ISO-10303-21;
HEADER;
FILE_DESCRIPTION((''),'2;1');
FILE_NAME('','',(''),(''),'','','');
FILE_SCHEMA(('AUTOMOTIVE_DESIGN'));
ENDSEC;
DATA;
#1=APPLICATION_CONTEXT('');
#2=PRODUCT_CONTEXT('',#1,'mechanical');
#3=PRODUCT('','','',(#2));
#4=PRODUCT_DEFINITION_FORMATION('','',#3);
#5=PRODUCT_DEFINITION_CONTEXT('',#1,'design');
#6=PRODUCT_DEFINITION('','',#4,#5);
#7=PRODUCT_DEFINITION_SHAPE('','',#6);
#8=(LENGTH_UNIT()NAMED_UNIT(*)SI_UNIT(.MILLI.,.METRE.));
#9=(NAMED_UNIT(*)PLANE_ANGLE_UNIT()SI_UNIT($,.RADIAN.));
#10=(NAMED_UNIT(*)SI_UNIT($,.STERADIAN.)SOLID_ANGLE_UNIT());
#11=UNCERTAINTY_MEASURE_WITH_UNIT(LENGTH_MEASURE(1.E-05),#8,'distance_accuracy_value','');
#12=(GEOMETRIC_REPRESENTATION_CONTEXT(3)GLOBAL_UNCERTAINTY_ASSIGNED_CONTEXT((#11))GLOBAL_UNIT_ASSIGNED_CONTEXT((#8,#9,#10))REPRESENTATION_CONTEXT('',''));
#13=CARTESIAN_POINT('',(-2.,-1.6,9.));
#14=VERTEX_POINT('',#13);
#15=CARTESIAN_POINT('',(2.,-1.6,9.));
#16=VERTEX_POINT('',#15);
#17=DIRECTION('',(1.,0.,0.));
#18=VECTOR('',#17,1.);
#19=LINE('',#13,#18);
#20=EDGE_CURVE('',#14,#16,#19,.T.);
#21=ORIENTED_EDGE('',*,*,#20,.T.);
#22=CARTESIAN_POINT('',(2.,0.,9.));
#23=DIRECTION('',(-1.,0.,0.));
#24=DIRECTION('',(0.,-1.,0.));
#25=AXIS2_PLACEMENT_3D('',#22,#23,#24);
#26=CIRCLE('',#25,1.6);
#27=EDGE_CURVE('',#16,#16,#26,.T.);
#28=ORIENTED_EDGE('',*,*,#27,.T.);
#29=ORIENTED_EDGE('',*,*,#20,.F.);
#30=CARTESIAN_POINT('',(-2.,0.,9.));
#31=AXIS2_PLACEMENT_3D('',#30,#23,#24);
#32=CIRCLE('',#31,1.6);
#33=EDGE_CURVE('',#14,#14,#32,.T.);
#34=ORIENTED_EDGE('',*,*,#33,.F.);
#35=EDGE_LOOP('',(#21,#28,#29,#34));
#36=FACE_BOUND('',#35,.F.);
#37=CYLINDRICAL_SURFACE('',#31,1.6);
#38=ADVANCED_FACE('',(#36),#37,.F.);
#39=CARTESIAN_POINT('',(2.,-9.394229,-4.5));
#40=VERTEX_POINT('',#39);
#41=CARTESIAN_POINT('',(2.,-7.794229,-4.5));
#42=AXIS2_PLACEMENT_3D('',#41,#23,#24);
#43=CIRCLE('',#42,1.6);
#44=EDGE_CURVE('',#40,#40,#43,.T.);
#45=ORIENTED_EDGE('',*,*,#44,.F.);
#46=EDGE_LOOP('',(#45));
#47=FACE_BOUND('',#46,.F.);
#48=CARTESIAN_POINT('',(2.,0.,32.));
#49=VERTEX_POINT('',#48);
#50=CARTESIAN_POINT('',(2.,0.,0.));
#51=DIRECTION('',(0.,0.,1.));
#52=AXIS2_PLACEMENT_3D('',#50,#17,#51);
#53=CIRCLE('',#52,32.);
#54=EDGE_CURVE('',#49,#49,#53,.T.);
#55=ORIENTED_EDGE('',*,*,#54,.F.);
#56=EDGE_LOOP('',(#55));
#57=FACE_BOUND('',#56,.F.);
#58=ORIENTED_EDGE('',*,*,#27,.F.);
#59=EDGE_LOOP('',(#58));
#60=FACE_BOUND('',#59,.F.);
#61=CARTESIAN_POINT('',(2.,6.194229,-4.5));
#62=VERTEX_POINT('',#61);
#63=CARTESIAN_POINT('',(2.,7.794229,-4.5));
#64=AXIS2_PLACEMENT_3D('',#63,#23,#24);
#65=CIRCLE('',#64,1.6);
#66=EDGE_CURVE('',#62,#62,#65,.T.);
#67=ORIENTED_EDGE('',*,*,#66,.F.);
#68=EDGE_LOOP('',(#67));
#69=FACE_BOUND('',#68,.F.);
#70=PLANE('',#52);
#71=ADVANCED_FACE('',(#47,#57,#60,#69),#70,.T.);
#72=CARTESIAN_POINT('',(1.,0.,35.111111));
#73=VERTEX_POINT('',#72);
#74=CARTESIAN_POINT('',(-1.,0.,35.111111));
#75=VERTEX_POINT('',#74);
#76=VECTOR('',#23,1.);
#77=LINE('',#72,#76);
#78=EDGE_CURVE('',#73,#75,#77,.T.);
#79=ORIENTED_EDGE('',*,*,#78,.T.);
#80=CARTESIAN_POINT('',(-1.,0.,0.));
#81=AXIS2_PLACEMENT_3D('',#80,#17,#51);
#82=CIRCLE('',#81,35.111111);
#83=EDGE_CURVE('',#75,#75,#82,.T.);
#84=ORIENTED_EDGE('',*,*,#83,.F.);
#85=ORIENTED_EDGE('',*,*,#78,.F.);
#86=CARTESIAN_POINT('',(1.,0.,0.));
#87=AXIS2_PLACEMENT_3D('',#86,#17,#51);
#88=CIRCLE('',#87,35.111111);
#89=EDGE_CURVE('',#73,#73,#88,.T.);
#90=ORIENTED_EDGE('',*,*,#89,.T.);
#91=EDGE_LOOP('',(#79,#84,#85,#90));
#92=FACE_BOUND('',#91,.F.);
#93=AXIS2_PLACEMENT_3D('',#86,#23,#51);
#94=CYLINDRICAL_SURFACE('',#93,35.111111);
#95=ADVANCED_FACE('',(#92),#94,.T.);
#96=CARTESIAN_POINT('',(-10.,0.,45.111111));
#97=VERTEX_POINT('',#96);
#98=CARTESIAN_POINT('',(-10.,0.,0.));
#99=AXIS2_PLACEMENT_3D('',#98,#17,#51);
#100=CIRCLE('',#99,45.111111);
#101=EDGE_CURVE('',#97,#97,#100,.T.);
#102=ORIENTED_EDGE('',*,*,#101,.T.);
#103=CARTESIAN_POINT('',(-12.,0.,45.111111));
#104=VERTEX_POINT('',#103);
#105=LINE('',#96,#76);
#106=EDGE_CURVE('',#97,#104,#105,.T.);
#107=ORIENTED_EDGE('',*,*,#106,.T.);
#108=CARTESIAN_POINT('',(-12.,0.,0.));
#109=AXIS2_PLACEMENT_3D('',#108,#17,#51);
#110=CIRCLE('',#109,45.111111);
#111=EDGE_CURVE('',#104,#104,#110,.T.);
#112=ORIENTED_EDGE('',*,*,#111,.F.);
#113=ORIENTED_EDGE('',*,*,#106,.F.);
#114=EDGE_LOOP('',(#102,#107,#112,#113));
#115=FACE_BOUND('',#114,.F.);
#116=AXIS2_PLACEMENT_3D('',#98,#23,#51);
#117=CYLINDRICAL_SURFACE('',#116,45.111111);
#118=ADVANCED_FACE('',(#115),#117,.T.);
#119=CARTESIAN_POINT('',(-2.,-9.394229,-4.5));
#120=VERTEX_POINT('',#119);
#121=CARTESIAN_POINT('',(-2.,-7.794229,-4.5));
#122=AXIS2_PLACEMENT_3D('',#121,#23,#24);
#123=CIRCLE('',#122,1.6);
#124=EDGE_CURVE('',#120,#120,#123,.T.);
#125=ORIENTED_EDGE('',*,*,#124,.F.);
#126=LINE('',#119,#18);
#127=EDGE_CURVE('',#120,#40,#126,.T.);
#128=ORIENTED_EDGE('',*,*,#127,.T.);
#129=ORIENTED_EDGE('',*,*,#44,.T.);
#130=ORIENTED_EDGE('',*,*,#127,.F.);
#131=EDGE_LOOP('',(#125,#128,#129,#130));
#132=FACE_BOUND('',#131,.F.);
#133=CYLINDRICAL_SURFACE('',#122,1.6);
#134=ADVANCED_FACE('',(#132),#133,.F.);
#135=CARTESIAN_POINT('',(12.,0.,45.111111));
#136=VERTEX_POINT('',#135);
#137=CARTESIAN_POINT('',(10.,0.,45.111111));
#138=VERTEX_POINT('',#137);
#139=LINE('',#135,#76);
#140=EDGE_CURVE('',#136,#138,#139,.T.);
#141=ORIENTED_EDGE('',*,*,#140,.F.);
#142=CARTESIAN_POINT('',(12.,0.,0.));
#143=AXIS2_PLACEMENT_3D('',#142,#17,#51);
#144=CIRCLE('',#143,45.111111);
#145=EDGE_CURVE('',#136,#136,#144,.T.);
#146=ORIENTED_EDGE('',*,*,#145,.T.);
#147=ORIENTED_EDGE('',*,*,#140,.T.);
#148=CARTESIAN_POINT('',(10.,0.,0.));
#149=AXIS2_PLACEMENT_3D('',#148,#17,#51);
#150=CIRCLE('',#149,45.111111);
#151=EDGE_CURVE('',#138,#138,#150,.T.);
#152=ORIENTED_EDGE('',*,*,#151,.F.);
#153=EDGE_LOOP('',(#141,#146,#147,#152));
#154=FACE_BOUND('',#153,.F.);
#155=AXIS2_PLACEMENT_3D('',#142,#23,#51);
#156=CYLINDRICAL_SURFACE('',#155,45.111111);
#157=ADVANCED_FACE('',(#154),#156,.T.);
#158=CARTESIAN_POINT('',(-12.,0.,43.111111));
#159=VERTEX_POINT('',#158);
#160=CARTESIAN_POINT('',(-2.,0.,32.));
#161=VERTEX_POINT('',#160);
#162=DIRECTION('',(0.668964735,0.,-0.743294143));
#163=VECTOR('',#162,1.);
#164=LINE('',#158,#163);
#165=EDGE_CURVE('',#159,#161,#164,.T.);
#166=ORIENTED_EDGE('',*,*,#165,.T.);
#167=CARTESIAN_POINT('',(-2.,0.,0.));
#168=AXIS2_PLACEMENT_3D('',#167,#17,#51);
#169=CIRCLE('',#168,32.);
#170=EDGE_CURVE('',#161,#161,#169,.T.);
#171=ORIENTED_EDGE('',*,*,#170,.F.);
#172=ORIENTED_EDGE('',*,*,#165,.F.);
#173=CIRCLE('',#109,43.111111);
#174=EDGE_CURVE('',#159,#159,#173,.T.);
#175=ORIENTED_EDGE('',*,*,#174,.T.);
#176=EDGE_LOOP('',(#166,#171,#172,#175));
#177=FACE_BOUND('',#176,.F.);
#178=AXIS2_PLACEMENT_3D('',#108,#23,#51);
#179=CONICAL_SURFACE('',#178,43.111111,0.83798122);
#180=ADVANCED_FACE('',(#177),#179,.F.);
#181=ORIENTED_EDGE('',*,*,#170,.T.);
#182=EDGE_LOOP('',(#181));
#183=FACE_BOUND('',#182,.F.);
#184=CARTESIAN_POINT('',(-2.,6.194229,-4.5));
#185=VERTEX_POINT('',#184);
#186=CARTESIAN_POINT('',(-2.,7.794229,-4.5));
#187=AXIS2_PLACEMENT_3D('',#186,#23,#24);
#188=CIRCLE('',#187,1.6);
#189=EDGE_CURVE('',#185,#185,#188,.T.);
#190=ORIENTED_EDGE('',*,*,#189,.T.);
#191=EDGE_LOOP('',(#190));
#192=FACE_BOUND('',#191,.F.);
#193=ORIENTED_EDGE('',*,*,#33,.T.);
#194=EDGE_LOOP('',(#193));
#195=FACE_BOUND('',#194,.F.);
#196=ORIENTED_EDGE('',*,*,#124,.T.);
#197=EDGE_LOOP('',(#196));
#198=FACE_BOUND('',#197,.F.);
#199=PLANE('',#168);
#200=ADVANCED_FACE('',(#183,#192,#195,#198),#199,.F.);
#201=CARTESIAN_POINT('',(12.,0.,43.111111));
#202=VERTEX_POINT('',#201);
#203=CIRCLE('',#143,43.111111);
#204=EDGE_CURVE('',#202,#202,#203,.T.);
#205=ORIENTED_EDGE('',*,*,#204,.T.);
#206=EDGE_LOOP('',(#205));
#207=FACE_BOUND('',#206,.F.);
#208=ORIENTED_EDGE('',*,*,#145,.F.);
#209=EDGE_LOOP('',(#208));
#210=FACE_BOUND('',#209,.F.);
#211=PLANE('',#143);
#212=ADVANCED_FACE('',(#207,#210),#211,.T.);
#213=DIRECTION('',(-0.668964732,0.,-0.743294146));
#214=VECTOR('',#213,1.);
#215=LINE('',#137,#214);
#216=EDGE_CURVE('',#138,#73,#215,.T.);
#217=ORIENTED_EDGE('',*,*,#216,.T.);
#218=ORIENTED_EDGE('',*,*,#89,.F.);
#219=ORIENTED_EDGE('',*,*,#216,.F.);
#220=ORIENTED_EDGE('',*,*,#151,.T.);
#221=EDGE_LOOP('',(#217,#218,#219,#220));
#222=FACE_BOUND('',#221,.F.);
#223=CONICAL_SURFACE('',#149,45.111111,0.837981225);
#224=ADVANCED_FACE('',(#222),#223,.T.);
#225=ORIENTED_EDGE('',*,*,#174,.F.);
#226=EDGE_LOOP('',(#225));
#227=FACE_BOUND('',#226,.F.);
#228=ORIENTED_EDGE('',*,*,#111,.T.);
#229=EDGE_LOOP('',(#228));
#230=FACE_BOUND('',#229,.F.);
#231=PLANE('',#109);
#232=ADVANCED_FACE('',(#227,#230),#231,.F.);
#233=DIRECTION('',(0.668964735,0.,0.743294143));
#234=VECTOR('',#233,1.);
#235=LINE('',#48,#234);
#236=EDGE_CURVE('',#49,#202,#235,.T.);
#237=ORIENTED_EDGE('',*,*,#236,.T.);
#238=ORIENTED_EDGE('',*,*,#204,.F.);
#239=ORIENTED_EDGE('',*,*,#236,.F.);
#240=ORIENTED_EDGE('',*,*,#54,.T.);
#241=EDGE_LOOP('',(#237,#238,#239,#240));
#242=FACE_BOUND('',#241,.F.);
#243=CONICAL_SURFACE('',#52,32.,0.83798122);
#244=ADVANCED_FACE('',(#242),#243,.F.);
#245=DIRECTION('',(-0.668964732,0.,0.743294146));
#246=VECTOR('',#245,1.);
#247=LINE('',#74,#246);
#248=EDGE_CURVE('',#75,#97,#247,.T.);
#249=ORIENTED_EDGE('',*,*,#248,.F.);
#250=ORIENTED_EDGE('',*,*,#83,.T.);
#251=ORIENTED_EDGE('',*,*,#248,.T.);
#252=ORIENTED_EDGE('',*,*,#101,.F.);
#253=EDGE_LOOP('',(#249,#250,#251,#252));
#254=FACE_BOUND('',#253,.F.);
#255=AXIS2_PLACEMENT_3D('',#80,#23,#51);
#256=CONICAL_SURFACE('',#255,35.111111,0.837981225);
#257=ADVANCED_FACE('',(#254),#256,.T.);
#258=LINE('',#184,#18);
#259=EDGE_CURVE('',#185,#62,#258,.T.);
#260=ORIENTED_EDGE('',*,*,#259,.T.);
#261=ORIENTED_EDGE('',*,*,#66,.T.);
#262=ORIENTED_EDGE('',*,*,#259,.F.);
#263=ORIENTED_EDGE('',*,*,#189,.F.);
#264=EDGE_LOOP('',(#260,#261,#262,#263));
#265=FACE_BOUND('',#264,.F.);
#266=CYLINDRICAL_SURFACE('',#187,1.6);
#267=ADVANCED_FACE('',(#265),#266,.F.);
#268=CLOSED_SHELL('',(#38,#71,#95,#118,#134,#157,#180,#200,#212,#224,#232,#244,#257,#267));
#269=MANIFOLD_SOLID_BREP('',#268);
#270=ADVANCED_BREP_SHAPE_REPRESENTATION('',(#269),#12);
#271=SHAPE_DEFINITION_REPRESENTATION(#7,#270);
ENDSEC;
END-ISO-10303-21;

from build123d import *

# Parameters (mm, degrees)
F2_R     = 1.6
F3_DEPTH = 14.001


with BuildPart() as f1:
    # F0 (on Front) → F1 (revolve)
    with BuildSketch(Plane.XZ):
        Polygon((-10, 45.111111), (-12, 45.111111), (-12, 43.111111), (-2, 32), (-2, 0), (2, 0), (2, 32), (12, 43.111111), (12, 45.111111), (10, 45.111111), (1, 35.111111), (-1, 35.111111), align=None)
    revolve(axis=Axis((0, 0, 0), (1, 0, 0)))

    # F2 (on face) → F3 (cut, through all)
    with BuildSketch(Plane(origin=(-2, 0, 0), x_dir=(0, -1, 0), z_dir=(-1, 0, 0))):
        with Locations((-7.794229, -4.5)):
            Circle(F2_R)
        with Locations((7.794229, -4.5)):
            Circle(F2_R)
        with Locations((0, 9)):
            Circle(F2_R)
    extrude(amount=-F3_DEPTH, mode=Mode.SUBTRACT)


solid = f1.part
